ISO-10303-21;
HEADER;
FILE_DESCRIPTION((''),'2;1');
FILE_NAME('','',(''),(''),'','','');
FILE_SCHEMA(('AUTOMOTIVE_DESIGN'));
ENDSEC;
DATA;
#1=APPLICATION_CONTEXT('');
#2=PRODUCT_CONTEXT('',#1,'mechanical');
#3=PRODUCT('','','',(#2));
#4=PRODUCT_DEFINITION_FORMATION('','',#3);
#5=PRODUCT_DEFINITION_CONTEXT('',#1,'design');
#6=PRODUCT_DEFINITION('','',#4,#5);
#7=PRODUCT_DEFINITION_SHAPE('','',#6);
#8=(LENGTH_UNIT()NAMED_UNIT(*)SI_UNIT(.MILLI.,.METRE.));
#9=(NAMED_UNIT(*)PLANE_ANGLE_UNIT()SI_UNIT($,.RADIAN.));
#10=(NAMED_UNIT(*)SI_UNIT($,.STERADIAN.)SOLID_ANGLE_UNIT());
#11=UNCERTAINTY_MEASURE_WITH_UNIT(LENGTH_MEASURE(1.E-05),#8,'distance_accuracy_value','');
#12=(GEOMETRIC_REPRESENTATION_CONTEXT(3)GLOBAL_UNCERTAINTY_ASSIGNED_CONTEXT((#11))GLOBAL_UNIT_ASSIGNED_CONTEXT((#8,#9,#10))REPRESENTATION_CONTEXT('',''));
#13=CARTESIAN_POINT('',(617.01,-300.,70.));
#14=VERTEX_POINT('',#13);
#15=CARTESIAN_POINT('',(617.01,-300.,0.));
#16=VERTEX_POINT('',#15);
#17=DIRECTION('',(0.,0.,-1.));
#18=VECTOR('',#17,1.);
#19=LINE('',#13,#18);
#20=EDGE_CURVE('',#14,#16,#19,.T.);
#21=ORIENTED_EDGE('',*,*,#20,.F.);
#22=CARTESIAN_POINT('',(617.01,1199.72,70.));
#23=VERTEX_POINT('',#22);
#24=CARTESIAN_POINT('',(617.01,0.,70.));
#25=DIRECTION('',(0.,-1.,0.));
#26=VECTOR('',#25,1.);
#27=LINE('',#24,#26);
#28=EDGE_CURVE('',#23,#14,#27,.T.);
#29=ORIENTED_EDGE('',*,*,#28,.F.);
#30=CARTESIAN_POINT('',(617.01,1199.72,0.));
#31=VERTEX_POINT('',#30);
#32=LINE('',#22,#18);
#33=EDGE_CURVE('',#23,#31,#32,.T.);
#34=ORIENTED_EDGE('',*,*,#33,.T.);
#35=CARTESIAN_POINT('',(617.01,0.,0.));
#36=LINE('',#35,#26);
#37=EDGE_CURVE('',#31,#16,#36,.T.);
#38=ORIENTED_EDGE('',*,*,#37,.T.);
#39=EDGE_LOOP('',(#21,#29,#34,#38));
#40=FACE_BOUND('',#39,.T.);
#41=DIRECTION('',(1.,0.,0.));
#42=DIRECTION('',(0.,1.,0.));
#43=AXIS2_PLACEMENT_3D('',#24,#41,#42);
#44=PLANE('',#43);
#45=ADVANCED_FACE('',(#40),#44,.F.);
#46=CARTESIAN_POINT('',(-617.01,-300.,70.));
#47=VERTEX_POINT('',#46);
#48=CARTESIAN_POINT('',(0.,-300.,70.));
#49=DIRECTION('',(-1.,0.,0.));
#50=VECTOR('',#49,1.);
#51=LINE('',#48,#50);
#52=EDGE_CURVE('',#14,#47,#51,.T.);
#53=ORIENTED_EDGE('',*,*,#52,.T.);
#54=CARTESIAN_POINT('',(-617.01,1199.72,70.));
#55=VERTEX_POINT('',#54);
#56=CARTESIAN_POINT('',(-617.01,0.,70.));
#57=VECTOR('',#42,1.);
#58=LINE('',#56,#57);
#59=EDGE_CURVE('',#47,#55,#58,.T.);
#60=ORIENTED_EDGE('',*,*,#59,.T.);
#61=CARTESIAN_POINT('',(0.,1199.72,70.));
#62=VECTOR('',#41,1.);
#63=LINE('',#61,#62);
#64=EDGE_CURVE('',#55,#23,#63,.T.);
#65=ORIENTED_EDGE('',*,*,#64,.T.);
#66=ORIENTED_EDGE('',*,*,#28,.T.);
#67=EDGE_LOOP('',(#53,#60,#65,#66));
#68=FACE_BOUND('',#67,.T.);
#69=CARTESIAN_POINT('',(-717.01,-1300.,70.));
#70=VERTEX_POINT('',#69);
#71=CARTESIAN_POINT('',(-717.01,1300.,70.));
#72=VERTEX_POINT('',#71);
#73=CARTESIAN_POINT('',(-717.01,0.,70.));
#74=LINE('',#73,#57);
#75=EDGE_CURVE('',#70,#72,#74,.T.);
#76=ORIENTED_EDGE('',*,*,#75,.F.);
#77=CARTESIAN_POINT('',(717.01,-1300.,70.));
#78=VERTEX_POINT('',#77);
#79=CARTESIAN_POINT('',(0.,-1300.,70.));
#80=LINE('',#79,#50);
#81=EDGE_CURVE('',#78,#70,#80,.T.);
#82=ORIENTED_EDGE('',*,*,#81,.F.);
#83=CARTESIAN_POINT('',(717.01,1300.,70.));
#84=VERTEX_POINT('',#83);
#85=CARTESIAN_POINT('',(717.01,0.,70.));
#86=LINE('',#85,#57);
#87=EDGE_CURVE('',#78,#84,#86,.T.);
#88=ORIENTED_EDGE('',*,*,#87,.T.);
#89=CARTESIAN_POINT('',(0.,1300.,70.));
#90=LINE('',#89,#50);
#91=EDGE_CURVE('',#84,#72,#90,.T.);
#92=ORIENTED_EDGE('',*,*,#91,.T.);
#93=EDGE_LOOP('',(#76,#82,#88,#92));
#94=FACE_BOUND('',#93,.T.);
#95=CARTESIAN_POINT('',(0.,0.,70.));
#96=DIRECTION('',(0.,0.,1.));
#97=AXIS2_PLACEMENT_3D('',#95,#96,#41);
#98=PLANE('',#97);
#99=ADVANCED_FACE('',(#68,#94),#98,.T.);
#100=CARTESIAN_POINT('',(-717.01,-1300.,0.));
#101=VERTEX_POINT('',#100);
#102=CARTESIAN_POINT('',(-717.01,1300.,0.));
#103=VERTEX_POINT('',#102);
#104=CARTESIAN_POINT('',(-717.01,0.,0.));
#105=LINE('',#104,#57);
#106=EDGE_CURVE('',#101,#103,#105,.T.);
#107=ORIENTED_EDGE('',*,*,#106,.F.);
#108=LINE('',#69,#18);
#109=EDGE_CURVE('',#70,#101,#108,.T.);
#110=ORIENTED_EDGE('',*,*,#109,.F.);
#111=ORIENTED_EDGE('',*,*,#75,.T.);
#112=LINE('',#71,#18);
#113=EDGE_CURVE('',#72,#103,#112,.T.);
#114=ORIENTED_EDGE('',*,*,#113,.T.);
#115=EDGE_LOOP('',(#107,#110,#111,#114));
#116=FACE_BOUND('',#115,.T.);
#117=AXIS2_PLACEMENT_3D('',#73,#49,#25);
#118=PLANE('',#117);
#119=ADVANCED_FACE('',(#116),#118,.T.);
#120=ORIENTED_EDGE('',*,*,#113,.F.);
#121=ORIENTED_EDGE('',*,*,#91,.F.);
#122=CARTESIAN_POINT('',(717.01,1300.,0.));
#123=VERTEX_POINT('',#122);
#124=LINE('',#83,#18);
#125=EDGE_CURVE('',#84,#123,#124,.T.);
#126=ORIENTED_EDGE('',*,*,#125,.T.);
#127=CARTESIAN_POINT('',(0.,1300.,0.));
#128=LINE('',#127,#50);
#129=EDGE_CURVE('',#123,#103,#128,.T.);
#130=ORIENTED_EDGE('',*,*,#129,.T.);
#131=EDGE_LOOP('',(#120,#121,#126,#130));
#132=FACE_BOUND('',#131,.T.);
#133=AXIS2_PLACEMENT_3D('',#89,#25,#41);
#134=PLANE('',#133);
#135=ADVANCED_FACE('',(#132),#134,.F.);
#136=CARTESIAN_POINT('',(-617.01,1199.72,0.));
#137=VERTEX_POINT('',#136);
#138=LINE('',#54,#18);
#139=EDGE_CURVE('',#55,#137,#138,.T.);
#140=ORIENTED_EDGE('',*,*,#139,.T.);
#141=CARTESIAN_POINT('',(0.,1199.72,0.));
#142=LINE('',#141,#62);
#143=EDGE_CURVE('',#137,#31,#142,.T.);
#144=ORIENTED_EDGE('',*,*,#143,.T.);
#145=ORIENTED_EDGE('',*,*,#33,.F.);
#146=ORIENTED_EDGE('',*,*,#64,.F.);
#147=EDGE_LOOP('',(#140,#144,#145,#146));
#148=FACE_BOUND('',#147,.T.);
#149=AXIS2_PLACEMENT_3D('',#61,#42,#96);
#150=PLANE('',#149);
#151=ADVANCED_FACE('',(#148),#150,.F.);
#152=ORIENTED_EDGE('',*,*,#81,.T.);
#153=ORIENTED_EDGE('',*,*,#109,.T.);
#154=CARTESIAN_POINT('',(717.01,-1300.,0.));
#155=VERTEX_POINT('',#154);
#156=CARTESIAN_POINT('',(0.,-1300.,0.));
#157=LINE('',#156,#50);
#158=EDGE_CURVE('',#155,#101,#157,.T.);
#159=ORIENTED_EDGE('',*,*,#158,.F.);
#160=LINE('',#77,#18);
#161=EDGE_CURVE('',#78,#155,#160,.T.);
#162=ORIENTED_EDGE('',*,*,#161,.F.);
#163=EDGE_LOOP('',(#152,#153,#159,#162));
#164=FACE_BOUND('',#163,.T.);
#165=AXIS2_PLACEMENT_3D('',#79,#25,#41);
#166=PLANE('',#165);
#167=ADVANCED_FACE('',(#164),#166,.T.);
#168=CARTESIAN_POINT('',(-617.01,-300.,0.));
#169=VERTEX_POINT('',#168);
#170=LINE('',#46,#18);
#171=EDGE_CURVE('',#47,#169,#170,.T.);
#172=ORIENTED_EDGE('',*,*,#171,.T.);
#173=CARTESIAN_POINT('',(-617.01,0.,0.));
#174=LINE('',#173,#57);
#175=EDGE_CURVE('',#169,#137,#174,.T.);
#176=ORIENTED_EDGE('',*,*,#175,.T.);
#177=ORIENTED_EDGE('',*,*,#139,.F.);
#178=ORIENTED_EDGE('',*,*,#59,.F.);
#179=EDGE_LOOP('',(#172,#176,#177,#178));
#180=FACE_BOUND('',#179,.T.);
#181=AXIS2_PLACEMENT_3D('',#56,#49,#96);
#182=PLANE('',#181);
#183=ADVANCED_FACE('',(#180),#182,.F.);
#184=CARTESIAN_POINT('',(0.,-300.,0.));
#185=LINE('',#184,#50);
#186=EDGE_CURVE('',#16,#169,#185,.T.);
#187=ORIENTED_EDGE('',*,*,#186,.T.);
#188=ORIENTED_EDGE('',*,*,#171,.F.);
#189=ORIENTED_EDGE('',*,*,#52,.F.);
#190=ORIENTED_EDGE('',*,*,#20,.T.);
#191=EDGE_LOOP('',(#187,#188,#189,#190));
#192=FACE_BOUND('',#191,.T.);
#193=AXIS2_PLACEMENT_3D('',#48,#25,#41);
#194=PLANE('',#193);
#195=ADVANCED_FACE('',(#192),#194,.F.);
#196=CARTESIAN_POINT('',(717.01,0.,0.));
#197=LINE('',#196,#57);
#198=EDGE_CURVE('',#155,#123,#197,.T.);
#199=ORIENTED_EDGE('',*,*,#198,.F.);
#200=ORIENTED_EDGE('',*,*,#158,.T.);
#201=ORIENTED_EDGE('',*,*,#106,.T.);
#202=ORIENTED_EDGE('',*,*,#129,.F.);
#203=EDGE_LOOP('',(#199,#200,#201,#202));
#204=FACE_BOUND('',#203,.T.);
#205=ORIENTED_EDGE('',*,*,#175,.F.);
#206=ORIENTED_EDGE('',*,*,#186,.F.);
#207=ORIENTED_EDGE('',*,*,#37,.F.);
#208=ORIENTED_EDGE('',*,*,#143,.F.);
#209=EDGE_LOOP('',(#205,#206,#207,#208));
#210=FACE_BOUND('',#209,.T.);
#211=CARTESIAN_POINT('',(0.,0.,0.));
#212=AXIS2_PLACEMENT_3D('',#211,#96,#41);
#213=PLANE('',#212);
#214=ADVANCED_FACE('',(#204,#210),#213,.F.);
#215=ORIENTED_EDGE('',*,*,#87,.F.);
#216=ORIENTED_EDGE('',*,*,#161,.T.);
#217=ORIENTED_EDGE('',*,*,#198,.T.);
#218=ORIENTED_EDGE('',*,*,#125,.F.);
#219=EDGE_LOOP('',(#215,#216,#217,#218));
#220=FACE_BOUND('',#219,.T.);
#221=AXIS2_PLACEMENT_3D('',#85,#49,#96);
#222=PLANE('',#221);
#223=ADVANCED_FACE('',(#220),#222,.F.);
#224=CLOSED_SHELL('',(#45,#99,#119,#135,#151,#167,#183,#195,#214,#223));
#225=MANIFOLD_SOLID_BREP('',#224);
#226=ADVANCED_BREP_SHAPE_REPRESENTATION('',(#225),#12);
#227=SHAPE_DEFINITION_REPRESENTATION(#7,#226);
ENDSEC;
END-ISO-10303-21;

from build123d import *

# Parameters (mm, degrees)
SKETCH2_W           = 1434.02
SKETCH2_H           = 2600
SKETCH2_W_2         = 1234.02
SKETCH2_H_2         = 1499.72
BOSS_EXTRUDE1_DEPTH = 70


with BuildPart() as part:
    # Sketch2 → Boss-Extrude1 (new body)
    with BuildSketch(Plane.XY):
        Rectangle(SKETCH2_W, SKETCH2_H)
        with Locations((0, 449.86)):
            Rectangle(SKETCH2_W_2, SKETCH2_H_2, mode=Mode.SUBTRACT)
    extrude(amount=BOSS_EXTRUDE1_DEPTH)


solid = part.part
